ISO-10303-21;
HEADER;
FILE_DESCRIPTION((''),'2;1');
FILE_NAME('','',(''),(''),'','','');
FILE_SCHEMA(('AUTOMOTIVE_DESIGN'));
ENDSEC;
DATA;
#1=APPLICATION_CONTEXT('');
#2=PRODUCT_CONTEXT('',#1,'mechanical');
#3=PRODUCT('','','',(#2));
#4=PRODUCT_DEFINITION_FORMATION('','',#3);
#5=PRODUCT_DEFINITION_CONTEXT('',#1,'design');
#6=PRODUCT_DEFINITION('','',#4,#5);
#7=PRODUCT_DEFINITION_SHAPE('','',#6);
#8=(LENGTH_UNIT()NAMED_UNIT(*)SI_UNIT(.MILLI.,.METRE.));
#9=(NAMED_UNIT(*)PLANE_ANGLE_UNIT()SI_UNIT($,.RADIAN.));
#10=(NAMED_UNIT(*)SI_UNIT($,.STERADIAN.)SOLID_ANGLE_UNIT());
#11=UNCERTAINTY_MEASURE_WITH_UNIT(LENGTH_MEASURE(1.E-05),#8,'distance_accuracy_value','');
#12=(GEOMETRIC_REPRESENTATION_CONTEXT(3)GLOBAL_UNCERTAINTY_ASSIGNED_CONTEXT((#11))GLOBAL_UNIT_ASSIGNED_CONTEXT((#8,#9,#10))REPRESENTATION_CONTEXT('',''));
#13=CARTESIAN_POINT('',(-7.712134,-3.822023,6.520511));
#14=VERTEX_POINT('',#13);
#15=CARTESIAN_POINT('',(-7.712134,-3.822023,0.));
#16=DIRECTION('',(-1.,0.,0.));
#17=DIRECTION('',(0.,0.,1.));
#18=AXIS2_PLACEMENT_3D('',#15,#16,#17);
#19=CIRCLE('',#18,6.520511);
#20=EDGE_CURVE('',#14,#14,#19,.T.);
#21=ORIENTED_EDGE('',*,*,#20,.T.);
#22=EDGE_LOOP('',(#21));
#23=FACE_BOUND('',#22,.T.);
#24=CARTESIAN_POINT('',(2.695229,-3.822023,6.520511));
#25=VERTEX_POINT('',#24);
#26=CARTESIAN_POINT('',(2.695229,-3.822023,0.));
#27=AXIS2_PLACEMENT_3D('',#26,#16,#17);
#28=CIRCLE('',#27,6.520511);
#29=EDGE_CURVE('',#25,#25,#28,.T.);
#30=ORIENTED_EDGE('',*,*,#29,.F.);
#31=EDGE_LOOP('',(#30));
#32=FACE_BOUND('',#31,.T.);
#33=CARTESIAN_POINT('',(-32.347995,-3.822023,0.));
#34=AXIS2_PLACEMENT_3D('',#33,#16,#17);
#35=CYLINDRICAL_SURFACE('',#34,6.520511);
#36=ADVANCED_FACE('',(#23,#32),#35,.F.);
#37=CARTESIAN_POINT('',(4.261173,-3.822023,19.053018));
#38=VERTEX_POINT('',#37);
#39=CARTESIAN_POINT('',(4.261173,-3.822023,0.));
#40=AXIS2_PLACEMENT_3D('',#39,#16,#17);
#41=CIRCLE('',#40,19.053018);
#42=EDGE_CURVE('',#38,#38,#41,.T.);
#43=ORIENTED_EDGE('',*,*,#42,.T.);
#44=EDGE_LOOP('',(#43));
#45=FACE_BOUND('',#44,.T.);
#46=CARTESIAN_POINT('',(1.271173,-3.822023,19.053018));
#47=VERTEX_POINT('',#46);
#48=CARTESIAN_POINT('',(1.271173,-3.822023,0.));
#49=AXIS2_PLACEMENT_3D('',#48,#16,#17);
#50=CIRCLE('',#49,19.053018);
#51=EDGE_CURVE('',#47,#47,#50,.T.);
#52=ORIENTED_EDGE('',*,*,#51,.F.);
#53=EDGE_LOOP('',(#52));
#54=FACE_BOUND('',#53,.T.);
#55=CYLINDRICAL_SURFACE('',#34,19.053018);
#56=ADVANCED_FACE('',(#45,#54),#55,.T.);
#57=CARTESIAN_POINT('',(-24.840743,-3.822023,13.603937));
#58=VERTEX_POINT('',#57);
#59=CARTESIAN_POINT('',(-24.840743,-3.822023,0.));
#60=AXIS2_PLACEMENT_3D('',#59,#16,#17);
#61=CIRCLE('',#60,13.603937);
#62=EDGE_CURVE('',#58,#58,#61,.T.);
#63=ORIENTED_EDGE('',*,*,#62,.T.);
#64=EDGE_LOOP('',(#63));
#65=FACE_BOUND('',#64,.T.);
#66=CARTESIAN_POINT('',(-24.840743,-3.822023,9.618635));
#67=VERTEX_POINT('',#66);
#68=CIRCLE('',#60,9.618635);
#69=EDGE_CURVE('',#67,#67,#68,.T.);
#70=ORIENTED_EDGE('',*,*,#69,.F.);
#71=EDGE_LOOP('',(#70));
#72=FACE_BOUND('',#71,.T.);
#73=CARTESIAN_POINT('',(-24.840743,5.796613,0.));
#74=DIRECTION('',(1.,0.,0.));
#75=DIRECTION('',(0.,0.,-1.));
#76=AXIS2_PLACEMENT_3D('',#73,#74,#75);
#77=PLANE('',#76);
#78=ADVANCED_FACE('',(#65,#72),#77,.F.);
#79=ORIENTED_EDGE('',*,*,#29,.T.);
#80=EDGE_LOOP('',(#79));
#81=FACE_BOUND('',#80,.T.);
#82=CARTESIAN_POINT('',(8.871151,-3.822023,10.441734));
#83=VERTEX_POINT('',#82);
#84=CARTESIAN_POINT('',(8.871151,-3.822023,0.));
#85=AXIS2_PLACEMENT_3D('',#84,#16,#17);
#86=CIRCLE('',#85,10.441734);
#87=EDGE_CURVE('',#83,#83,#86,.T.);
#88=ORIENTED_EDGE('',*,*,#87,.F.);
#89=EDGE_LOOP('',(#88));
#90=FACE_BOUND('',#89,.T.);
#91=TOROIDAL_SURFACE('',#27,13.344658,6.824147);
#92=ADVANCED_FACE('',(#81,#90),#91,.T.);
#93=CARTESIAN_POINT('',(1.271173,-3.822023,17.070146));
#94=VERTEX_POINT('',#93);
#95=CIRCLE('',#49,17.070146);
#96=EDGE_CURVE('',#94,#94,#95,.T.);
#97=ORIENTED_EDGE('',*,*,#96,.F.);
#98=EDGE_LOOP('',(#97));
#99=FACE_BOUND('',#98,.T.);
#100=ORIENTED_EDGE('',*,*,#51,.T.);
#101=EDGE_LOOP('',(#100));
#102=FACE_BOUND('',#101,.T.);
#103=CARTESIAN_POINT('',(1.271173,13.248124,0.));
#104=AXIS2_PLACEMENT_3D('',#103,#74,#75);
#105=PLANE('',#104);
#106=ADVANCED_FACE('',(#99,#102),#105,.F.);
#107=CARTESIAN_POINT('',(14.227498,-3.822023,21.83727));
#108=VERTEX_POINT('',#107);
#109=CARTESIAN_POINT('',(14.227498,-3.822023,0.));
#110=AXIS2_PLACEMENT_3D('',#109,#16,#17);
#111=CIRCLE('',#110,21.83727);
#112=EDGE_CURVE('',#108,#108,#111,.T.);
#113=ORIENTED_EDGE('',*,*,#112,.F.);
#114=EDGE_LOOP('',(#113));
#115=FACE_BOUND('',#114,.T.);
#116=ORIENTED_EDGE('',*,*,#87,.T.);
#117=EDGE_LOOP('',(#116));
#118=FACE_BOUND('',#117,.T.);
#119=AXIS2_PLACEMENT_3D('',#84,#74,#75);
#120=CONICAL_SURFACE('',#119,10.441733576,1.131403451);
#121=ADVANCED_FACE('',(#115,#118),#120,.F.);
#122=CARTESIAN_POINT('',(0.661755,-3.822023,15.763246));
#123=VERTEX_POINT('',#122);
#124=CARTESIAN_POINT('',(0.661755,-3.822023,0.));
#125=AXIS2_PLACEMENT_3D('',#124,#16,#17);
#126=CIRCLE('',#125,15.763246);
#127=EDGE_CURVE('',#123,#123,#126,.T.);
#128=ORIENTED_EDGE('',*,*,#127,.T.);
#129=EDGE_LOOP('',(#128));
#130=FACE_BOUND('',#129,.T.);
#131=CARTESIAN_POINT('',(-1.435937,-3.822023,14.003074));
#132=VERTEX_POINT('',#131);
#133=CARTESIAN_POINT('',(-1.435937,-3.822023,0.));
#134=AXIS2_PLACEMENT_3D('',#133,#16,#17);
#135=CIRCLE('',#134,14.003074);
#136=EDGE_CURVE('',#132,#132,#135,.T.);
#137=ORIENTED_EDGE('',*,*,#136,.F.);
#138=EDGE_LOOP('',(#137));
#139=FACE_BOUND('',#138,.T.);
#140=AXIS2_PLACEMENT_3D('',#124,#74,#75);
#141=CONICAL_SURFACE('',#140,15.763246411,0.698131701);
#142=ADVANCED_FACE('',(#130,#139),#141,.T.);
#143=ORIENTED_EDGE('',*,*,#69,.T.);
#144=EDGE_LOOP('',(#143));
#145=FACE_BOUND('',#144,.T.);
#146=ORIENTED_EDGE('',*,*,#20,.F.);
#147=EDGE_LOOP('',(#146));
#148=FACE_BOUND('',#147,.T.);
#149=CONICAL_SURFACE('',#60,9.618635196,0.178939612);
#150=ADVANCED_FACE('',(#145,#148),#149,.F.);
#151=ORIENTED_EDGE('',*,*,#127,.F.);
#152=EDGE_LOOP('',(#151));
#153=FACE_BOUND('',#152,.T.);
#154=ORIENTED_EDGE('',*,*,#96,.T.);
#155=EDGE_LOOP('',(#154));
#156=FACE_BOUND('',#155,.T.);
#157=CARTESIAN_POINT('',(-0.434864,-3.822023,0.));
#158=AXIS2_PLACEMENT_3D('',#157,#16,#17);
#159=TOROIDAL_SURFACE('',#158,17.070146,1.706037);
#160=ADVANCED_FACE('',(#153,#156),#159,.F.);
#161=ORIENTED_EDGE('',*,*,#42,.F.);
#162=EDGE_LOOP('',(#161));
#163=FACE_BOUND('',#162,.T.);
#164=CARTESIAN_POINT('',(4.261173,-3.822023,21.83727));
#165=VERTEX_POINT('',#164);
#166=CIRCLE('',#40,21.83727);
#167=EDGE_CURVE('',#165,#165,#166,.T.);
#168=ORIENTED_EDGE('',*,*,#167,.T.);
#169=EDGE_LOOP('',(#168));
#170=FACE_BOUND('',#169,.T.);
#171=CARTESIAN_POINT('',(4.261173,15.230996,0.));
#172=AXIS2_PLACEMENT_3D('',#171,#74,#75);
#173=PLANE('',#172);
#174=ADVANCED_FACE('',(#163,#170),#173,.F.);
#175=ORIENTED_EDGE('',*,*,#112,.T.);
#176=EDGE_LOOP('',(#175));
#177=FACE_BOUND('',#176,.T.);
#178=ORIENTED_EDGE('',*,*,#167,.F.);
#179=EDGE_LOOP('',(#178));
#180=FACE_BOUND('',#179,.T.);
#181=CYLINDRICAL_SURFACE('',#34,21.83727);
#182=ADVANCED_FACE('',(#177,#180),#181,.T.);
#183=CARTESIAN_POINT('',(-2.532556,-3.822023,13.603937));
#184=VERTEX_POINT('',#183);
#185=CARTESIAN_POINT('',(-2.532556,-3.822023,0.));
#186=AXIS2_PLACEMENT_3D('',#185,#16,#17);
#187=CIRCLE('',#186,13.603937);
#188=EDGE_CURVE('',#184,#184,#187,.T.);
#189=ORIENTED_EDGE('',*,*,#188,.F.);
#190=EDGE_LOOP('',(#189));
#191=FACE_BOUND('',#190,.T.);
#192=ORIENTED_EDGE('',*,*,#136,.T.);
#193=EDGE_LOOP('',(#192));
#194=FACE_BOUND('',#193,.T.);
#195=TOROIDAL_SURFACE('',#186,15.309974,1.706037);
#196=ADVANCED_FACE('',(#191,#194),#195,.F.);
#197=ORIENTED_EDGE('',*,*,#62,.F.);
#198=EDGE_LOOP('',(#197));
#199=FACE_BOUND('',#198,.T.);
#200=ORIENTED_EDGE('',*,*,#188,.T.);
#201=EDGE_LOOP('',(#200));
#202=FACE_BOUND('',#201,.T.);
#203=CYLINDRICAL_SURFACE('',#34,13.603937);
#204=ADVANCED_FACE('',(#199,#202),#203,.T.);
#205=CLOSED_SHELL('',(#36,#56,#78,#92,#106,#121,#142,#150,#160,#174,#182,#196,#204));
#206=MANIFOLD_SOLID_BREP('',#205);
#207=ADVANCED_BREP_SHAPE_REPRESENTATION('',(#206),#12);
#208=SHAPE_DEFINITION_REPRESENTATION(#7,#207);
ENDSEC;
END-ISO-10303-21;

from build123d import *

# Parameters (mm, degrees)
SCALE1_SCALE = 1.70603675


with BuildPart() as part:
    # Esquisse1 → Révolution1 (revolve)
    with BuildSketch(Plane.XY, mode=Mode.PRIVATE) as r_volution1_sk:
        with BuildLine():
            Line((1.981656821, 8.97797736), (7.823456821, 8.97797736))
            Line((7.823456821, 8.97797736), (4.683813218, 2.298439639))
            ThreePointArc((4.683813218, 2.298439639), (3.207806254, 0.623149289), (1.06377284, 0))
            Line((1.06377284, 0), (0.803456821, 0))
            Line((0.803456821, 0), (-5.036543179, 0))
            Line((-5.036543179, 0), (-15.076543179, 1.81597736))
            Line((-15.076543179, 1.81597736), (-15.076543179, 4.15197736))
            Line((-15.076543179, 4.15197736), (-2.000513414, 4.15197736))
            ThreePointArc((-2.000513414, 4.15197736), (-1.65849327, 4.212284739), (-1.357725804, 4.385932917))
            Line((-1.357725804, 4.385932917), (-0.12815557, 5.417664847))
            ThreePointArc((-0.12815557, 5.417664847), (0.135364608, 5.761091028), (0.229056821, 6.18370929))
            Line((0.229056821, 6.18370929), (0.229056821, 7.34597736))
            Line((0.229056821, 7.34597736), (1.981656821, 7.34597736))
            Line((1.981656821, 7.34597736), (1.981656821, 8.97797736))
        make_face()
    revolve(r_volution1_sk.sketch.rotate(Axis((-19.476947674, -3.82202264, 0), (1, 0, 0)), 90), axis=Axis((-19.476947674, -3.82202264, 0), (1, 0, 0)))


with BuildPart() as part_1:
    # Scale1: scaled about (-1.246951402, -3.82202264, 0)
    add(part.part.scale(SCALE1_SCALE).moved(Location((0.880393515, 2.698488443, 0))))


solid = part_1.part
